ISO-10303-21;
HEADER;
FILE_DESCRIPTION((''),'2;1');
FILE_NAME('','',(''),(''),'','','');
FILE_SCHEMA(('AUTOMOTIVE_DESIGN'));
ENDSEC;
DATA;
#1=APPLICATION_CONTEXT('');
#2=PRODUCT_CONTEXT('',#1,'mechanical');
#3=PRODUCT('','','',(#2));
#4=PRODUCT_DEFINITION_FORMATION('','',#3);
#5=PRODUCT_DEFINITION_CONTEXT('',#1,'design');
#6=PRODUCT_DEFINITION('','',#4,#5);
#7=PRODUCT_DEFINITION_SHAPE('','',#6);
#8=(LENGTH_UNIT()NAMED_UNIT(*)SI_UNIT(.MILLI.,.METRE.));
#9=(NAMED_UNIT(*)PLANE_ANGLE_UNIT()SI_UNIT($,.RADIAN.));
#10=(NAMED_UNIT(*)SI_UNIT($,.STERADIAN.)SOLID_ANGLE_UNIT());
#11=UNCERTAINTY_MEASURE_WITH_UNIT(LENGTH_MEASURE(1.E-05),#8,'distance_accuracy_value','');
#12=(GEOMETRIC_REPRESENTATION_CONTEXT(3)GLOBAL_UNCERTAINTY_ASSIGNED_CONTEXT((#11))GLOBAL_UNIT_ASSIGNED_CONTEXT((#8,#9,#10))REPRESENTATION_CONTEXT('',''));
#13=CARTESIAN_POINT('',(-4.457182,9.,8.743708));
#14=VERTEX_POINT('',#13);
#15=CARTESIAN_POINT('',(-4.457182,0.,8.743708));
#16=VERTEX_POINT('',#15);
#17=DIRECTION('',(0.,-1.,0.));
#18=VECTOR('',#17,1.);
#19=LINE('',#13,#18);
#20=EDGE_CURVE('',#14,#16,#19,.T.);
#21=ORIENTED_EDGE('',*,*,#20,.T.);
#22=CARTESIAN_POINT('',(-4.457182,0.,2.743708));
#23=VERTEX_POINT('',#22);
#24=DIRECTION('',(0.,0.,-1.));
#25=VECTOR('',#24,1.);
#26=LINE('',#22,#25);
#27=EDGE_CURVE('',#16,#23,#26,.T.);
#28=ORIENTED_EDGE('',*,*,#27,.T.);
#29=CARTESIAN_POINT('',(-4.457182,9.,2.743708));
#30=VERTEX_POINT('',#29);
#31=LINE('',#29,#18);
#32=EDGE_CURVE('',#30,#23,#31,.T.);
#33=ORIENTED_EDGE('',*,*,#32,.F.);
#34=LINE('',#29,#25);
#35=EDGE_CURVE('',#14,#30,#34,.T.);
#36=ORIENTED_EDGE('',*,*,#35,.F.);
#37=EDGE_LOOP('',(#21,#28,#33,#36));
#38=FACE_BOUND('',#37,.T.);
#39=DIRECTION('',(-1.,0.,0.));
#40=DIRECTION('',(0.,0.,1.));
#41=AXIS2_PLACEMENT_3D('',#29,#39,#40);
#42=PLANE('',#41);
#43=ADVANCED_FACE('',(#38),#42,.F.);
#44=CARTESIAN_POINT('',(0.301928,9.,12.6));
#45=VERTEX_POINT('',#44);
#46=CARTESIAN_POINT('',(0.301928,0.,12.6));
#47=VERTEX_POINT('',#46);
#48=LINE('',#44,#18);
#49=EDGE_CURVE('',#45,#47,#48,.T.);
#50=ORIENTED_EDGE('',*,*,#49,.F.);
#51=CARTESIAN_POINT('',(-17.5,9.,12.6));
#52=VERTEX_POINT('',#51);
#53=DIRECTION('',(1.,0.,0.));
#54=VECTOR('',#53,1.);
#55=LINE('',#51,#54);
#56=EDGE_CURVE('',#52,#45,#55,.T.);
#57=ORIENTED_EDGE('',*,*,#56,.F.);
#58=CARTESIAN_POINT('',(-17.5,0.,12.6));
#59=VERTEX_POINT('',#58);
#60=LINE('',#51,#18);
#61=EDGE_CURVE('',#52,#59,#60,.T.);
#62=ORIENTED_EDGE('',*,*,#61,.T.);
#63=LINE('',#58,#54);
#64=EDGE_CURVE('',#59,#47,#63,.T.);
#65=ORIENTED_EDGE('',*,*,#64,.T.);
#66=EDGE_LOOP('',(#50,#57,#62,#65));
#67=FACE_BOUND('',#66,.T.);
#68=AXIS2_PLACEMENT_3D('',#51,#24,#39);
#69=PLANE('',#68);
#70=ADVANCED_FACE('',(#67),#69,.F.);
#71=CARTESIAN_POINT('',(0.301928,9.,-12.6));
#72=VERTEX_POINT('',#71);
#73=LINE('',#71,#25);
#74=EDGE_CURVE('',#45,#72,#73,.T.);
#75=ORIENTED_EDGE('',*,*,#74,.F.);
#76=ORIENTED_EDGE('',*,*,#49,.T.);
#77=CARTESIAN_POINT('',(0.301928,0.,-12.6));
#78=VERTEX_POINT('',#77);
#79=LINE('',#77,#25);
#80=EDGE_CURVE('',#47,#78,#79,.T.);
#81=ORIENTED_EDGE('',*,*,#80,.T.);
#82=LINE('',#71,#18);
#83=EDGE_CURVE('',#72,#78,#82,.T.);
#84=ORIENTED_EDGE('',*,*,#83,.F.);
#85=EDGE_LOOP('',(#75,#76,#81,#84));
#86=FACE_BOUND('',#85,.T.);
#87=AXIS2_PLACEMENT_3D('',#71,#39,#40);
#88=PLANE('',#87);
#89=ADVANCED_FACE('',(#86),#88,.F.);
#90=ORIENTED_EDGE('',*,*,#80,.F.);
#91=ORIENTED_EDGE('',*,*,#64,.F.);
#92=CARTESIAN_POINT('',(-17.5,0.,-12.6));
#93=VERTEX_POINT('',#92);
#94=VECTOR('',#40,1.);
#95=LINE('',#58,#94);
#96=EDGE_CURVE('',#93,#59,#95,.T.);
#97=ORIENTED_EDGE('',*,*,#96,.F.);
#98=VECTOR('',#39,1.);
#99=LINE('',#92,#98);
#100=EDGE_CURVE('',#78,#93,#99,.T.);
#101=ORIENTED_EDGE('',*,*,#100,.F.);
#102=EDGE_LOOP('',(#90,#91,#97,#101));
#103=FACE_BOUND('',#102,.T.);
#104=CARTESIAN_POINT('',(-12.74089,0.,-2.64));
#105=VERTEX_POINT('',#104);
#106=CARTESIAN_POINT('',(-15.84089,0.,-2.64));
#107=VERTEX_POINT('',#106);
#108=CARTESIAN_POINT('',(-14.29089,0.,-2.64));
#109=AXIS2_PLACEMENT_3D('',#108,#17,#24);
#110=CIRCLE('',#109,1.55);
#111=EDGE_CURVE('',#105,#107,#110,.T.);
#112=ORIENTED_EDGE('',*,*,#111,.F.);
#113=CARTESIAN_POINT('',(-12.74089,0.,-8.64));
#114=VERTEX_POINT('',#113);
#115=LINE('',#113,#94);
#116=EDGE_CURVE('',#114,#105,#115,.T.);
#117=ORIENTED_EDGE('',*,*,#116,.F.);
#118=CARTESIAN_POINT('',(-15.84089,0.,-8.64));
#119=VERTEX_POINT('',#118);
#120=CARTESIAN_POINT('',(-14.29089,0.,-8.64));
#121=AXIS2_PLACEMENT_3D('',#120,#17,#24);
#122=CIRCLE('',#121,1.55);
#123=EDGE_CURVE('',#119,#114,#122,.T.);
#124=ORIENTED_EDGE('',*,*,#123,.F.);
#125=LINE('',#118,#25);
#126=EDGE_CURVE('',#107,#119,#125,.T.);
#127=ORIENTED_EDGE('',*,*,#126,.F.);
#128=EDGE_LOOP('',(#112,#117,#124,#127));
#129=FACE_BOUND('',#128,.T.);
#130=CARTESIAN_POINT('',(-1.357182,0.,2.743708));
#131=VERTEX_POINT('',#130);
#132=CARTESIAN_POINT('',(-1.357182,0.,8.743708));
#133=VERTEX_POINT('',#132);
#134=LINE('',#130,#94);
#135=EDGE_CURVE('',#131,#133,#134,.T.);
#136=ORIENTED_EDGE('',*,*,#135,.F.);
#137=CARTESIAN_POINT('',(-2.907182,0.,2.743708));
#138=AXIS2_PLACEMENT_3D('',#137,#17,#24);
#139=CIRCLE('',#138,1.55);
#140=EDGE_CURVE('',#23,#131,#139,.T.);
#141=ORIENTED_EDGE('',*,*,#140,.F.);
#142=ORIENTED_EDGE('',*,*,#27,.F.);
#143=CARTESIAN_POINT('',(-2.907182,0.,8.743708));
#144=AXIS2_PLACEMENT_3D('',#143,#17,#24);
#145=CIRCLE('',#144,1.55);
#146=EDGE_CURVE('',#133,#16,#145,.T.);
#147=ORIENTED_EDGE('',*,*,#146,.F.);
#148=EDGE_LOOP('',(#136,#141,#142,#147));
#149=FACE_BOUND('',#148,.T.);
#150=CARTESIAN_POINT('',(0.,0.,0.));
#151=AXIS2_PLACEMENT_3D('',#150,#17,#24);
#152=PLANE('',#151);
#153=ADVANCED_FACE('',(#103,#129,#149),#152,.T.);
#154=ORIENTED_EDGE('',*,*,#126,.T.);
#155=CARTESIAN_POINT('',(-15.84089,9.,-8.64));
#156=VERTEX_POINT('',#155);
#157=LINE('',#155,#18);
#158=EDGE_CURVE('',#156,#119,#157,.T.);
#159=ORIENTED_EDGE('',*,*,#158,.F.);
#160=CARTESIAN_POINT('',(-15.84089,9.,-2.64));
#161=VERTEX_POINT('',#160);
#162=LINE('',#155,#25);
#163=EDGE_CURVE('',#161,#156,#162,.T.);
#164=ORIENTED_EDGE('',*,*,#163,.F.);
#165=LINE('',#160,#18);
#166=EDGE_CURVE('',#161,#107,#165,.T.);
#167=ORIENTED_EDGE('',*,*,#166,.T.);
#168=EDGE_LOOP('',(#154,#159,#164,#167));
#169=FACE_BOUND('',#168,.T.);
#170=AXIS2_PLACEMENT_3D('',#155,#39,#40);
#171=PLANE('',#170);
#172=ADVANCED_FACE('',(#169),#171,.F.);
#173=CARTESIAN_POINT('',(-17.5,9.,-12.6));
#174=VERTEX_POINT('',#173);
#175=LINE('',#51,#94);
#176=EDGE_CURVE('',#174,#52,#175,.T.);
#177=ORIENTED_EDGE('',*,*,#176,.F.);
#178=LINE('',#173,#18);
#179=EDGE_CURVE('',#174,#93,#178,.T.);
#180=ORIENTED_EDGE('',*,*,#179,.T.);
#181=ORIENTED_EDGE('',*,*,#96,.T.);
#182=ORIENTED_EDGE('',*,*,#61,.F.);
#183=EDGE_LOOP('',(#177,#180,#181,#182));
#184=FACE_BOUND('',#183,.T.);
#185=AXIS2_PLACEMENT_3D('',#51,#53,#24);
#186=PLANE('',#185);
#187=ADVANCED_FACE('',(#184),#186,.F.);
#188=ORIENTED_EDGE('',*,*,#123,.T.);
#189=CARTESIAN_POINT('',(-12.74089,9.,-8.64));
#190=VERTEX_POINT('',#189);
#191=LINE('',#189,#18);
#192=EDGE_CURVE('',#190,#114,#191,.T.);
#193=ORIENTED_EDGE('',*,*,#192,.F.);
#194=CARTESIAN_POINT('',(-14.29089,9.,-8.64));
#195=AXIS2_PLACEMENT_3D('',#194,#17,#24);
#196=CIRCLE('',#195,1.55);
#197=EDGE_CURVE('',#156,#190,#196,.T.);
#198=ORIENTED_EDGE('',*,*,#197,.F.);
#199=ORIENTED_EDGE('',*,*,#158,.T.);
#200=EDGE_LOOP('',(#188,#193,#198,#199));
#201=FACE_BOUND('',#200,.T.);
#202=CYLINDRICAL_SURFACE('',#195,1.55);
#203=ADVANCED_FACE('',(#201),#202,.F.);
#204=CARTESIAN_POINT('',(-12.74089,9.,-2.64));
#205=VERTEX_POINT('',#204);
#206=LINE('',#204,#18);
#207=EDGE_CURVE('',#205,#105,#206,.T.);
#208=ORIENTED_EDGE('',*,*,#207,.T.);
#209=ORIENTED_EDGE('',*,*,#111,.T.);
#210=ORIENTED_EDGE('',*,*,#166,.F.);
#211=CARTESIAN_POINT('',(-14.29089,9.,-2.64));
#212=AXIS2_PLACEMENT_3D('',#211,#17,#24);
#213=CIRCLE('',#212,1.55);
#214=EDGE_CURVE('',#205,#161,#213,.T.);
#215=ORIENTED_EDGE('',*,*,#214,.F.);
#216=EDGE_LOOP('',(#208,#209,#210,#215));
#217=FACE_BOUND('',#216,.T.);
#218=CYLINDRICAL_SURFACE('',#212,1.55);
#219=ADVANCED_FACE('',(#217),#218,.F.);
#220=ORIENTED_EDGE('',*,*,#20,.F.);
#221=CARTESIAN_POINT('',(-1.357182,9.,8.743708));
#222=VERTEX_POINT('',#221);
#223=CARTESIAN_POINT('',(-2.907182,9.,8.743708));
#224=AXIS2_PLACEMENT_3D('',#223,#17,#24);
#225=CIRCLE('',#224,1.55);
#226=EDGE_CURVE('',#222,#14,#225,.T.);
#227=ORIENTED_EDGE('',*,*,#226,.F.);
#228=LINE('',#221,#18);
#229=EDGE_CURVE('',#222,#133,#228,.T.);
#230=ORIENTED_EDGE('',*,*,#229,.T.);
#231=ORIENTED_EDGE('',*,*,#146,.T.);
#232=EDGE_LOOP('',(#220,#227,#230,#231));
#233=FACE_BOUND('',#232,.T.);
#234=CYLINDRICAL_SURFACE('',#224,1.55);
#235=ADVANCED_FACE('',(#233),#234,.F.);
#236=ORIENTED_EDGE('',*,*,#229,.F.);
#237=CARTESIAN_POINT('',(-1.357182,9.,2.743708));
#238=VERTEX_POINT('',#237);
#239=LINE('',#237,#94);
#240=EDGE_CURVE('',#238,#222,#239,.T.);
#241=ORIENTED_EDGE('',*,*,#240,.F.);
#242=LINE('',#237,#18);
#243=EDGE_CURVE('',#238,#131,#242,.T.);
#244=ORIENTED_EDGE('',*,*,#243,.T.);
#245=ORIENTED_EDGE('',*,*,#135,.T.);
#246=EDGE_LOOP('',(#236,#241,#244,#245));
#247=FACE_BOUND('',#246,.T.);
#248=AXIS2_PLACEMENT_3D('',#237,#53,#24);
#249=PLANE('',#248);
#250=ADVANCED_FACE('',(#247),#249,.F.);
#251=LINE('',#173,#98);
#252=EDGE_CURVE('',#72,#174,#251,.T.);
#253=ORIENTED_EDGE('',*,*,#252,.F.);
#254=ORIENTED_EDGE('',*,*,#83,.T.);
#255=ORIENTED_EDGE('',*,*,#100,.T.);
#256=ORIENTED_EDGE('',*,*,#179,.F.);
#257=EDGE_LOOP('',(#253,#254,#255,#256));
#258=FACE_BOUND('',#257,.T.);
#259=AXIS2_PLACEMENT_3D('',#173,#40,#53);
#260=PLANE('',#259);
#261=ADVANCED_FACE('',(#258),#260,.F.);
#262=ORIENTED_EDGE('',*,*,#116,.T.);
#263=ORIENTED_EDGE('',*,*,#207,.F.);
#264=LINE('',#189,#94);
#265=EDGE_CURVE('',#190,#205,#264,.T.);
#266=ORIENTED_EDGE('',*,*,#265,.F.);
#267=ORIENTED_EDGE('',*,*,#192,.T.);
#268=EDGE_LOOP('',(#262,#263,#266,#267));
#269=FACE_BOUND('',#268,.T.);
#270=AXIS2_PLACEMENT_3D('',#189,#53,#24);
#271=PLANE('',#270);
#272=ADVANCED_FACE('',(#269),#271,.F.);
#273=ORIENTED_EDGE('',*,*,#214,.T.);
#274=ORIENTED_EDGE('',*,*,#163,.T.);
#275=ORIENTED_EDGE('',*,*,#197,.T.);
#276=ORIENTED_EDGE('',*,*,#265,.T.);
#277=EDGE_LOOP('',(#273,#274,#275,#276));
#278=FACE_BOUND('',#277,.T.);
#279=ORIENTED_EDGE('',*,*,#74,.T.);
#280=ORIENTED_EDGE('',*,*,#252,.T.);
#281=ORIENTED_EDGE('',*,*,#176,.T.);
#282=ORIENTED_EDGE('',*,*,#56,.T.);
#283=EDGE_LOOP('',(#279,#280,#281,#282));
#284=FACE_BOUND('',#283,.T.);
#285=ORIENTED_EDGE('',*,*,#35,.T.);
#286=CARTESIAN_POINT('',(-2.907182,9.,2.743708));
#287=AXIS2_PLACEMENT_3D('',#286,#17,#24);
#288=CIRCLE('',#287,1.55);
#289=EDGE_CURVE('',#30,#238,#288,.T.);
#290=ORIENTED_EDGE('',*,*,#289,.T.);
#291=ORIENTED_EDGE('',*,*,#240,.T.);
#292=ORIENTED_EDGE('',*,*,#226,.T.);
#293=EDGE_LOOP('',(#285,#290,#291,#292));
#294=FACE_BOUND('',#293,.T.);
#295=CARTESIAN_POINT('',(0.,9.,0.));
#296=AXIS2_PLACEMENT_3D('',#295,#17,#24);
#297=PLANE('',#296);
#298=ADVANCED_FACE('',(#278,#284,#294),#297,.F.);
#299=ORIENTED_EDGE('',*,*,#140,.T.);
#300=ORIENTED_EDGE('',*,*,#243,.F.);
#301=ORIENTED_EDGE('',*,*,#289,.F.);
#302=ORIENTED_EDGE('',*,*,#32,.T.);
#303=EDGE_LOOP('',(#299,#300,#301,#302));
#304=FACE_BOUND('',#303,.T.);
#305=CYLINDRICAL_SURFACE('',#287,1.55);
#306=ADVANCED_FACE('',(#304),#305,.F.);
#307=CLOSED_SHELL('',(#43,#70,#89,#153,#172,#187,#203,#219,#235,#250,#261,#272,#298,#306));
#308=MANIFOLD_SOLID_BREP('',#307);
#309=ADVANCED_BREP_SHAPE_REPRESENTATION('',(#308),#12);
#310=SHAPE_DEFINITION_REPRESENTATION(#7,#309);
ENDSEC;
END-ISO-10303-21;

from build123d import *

# Parameters (mm, degrees)
CROQUIS1_W              = 35
CROQUIS1_H              = 25.2
SALIENTE_EXTRUIR1_DEPTH = 9
CORTAR_EXTRUIR1_DEPTH   = 10
CROQUIS3_W              = 17.198072292
CROQUIS3_H              = 25.2
CORTAR_EXTRUIR2_DEPTH   = 10


with BuildPart() as part:
    # Croquis1 → Saliente-Extruir1 (new body)
    with BuildSketch(Plane(origin=(0, 0, 0), x_dir=(1, 0, 0), z_dir=(0, 1, 0))):
        Rectangle(CROQUIS1_W, CROQUIS1_H)
    extrude(amount=SALIENTE_EXTRUIR1_DEPTH)

    # Croquis2 → Cortar-Extruir1 (cut, through all)
    with BuildSketch(Plane.XZ):
        with BuildLine():
            Line((-4.457181896, 2.743708499), (-4.457181896, 8.743708499))
            ThreePointArc((-4.457181896, 8.743708499), (-2.907181896, 10.293708499), (-1.357181896, 8.743708499))
            Line((-1.357181896, 8.743708499), (-1.357181896, 2.743708499))
            ThreePointArc((-1.357181896, 2.743708499), (-2.907181896, 1.193708499), (-4.457181896, 2.743708499))
        make_face()
        with BuildLine():
            Line((-12.740890395, -8.64), (-12.740890395, -2.64))
            ThreePointArc((-12.740890395, -2.64), (-14.290890395, -1.09), (-15.840890395, -2.64))
            Line((-15.840890395, -2.64), (-15.840890395, -8.64))
            ThreePointArc((-15.840890395, -8.64), (-14.290890395, -10.19), (-12.740890395, -8.64))
        make_face()
    extrude(amount=-CORTAR_EXTRUIR1_DEPTH, mode=Mode.SUBTRACT)

    # Croquis3 → Cortar-Extruir2 (cut, through all)
    with BuildSketch(Plane.XZ):
        with Locations((8.900963854, 0)):
            Rectangle(CROQUIS3_W, CROQUIS3_H)
    extrude(amount=-CORTAR_EXTRUIR2_DEPTH, mode=Mode.SUBTRACT)


solid = part.part
